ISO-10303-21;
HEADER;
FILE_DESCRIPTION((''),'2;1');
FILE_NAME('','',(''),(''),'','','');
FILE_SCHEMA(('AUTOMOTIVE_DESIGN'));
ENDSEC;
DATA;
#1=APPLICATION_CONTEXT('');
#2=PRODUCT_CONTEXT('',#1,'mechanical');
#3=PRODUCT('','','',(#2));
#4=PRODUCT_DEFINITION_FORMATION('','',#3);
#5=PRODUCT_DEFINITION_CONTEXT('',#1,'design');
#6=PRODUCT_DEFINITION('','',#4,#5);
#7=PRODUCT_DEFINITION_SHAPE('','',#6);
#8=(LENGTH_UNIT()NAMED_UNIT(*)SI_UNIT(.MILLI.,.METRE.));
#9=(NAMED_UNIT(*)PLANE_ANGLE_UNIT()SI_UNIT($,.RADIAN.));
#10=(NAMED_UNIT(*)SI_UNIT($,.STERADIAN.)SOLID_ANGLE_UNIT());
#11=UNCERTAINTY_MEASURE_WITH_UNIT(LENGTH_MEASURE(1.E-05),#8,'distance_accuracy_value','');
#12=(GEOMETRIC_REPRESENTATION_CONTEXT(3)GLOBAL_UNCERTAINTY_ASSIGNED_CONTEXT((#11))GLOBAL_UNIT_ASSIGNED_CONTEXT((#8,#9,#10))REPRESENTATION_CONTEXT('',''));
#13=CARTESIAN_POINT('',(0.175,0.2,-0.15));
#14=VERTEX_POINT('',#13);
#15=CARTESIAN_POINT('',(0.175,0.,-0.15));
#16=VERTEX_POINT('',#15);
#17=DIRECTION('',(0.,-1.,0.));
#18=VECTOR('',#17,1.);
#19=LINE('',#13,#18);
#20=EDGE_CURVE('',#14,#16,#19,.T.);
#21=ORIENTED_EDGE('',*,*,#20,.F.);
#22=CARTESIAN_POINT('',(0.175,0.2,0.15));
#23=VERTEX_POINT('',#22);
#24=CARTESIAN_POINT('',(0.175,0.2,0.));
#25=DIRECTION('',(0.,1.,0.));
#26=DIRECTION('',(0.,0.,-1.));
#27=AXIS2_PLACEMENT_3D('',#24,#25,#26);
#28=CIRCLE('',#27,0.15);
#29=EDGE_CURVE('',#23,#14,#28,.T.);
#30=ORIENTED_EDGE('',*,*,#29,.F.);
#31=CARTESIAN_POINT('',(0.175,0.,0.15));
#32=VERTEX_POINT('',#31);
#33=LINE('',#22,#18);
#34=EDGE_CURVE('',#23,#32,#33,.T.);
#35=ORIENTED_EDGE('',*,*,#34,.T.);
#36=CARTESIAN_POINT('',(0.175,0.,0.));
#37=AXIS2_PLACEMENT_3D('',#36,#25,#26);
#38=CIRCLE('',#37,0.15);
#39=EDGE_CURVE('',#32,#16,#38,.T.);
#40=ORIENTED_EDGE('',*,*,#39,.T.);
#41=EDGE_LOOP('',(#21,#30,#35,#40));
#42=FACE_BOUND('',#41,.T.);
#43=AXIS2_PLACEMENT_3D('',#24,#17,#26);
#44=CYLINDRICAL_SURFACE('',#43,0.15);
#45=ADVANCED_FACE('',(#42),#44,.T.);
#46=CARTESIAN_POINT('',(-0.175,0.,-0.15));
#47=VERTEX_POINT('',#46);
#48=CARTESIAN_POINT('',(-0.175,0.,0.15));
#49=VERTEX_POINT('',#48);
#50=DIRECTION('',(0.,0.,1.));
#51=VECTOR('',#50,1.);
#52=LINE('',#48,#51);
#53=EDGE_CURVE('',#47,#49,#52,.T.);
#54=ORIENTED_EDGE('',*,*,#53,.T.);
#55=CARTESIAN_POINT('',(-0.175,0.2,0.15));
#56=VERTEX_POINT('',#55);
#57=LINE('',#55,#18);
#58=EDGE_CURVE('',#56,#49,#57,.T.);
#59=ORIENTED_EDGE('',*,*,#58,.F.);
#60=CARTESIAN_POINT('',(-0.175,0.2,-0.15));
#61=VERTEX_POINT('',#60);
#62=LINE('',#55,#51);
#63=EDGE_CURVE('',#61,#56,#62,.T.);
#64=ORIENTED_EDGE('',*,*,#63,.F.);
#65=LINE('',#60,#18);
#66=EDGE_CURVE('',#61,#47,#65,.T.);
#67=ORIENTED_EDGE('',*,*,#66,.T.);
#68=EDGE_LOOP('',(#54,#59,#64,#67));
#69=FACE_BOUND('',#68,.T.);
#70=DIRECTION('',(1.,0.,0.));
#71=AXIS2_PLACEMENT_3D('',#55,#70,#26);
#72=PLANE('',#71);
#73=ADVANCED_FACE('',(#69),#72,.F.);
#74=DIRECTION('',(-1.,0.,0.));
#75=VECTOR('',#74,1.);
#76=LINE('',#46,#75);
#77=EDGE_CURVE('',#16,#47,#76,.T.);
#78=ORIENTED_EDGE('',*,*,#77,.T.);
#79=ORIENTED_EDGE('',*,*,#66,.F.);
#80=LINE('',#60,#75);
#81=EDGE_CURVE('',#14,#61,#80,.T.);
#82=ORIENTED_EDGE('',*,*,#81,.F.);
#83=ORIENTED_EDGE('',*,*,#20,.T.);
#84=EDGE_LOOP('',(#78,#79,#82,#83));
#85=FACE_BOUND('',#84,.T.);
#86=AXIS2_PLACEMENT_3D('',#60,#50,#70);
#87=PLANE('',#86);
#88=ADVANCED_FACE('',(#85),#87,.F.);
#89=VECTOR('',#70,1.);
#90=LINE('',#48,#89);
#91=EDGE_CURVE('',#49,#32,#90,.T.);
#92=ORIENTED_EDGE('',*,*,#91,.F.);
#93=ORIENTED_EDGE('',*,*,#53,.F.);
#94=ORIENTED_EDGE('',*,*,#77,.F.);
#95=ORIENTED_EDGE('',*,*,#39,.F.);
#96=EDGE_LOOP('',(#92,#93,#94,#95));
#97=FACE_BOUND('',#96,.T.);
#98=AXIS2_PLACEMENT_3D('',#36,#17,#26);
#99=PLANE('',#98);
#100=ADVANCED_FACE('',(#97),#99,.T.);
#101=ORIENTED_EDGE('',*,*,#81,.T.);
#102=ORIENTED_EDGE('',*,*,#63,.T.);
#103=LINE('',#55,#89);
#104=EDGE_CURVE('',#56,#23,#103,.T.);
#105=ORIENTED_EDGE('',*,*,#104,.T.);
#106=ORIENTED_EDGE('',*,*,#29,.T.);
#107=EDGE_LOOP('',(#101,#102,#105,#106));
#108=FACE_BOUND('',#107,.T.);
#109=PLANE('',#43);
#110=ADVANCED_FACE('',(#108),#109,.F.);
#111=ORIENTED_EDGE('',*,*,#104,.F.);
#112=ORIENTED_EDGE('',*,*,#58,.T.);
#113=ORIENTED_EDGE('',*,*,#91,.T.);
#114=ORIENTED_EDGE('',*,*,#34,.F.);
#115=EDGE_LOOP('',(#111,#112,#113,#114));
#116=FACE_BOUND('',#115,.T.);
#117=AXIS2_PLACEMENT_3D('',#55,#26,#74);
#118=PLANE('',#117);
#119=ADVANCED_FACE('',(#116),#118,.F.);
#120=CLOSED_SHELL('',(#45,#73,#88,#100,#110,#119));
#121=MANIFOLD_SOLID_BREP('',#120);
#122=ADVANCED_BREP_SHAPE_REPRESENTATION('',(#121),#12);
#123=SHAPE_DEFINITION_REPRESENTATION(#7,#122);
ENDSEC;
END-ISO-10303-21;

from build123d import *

# Parameters (mm, degrees)
BOSS_EXTRUDE1_DEPTH = 0.2


with BuildPart() as part:
    # Sketch1 → Boss-Extrude1 (new body)
    with BuildSketch(Plane(origin=(0, 0, 0), x_dir=(1, 0, 0), z_dir=(0, 1, 0))):
        with BuildLine():
            Line((-0.175, -0.15), (0.175, -0.15))
            ThreePointArc((0.175, -0.15), (0.325, 0), (0.175, 0.15))
            Line((0.175, 0.15), (-0.175, 0.15))
            Line((-0.175, 0.15), (-0.175, -0.15))
        make_face()
    extrude(amount=BOSS_EXTRUDE1_DEPTH)


solid = part.part
